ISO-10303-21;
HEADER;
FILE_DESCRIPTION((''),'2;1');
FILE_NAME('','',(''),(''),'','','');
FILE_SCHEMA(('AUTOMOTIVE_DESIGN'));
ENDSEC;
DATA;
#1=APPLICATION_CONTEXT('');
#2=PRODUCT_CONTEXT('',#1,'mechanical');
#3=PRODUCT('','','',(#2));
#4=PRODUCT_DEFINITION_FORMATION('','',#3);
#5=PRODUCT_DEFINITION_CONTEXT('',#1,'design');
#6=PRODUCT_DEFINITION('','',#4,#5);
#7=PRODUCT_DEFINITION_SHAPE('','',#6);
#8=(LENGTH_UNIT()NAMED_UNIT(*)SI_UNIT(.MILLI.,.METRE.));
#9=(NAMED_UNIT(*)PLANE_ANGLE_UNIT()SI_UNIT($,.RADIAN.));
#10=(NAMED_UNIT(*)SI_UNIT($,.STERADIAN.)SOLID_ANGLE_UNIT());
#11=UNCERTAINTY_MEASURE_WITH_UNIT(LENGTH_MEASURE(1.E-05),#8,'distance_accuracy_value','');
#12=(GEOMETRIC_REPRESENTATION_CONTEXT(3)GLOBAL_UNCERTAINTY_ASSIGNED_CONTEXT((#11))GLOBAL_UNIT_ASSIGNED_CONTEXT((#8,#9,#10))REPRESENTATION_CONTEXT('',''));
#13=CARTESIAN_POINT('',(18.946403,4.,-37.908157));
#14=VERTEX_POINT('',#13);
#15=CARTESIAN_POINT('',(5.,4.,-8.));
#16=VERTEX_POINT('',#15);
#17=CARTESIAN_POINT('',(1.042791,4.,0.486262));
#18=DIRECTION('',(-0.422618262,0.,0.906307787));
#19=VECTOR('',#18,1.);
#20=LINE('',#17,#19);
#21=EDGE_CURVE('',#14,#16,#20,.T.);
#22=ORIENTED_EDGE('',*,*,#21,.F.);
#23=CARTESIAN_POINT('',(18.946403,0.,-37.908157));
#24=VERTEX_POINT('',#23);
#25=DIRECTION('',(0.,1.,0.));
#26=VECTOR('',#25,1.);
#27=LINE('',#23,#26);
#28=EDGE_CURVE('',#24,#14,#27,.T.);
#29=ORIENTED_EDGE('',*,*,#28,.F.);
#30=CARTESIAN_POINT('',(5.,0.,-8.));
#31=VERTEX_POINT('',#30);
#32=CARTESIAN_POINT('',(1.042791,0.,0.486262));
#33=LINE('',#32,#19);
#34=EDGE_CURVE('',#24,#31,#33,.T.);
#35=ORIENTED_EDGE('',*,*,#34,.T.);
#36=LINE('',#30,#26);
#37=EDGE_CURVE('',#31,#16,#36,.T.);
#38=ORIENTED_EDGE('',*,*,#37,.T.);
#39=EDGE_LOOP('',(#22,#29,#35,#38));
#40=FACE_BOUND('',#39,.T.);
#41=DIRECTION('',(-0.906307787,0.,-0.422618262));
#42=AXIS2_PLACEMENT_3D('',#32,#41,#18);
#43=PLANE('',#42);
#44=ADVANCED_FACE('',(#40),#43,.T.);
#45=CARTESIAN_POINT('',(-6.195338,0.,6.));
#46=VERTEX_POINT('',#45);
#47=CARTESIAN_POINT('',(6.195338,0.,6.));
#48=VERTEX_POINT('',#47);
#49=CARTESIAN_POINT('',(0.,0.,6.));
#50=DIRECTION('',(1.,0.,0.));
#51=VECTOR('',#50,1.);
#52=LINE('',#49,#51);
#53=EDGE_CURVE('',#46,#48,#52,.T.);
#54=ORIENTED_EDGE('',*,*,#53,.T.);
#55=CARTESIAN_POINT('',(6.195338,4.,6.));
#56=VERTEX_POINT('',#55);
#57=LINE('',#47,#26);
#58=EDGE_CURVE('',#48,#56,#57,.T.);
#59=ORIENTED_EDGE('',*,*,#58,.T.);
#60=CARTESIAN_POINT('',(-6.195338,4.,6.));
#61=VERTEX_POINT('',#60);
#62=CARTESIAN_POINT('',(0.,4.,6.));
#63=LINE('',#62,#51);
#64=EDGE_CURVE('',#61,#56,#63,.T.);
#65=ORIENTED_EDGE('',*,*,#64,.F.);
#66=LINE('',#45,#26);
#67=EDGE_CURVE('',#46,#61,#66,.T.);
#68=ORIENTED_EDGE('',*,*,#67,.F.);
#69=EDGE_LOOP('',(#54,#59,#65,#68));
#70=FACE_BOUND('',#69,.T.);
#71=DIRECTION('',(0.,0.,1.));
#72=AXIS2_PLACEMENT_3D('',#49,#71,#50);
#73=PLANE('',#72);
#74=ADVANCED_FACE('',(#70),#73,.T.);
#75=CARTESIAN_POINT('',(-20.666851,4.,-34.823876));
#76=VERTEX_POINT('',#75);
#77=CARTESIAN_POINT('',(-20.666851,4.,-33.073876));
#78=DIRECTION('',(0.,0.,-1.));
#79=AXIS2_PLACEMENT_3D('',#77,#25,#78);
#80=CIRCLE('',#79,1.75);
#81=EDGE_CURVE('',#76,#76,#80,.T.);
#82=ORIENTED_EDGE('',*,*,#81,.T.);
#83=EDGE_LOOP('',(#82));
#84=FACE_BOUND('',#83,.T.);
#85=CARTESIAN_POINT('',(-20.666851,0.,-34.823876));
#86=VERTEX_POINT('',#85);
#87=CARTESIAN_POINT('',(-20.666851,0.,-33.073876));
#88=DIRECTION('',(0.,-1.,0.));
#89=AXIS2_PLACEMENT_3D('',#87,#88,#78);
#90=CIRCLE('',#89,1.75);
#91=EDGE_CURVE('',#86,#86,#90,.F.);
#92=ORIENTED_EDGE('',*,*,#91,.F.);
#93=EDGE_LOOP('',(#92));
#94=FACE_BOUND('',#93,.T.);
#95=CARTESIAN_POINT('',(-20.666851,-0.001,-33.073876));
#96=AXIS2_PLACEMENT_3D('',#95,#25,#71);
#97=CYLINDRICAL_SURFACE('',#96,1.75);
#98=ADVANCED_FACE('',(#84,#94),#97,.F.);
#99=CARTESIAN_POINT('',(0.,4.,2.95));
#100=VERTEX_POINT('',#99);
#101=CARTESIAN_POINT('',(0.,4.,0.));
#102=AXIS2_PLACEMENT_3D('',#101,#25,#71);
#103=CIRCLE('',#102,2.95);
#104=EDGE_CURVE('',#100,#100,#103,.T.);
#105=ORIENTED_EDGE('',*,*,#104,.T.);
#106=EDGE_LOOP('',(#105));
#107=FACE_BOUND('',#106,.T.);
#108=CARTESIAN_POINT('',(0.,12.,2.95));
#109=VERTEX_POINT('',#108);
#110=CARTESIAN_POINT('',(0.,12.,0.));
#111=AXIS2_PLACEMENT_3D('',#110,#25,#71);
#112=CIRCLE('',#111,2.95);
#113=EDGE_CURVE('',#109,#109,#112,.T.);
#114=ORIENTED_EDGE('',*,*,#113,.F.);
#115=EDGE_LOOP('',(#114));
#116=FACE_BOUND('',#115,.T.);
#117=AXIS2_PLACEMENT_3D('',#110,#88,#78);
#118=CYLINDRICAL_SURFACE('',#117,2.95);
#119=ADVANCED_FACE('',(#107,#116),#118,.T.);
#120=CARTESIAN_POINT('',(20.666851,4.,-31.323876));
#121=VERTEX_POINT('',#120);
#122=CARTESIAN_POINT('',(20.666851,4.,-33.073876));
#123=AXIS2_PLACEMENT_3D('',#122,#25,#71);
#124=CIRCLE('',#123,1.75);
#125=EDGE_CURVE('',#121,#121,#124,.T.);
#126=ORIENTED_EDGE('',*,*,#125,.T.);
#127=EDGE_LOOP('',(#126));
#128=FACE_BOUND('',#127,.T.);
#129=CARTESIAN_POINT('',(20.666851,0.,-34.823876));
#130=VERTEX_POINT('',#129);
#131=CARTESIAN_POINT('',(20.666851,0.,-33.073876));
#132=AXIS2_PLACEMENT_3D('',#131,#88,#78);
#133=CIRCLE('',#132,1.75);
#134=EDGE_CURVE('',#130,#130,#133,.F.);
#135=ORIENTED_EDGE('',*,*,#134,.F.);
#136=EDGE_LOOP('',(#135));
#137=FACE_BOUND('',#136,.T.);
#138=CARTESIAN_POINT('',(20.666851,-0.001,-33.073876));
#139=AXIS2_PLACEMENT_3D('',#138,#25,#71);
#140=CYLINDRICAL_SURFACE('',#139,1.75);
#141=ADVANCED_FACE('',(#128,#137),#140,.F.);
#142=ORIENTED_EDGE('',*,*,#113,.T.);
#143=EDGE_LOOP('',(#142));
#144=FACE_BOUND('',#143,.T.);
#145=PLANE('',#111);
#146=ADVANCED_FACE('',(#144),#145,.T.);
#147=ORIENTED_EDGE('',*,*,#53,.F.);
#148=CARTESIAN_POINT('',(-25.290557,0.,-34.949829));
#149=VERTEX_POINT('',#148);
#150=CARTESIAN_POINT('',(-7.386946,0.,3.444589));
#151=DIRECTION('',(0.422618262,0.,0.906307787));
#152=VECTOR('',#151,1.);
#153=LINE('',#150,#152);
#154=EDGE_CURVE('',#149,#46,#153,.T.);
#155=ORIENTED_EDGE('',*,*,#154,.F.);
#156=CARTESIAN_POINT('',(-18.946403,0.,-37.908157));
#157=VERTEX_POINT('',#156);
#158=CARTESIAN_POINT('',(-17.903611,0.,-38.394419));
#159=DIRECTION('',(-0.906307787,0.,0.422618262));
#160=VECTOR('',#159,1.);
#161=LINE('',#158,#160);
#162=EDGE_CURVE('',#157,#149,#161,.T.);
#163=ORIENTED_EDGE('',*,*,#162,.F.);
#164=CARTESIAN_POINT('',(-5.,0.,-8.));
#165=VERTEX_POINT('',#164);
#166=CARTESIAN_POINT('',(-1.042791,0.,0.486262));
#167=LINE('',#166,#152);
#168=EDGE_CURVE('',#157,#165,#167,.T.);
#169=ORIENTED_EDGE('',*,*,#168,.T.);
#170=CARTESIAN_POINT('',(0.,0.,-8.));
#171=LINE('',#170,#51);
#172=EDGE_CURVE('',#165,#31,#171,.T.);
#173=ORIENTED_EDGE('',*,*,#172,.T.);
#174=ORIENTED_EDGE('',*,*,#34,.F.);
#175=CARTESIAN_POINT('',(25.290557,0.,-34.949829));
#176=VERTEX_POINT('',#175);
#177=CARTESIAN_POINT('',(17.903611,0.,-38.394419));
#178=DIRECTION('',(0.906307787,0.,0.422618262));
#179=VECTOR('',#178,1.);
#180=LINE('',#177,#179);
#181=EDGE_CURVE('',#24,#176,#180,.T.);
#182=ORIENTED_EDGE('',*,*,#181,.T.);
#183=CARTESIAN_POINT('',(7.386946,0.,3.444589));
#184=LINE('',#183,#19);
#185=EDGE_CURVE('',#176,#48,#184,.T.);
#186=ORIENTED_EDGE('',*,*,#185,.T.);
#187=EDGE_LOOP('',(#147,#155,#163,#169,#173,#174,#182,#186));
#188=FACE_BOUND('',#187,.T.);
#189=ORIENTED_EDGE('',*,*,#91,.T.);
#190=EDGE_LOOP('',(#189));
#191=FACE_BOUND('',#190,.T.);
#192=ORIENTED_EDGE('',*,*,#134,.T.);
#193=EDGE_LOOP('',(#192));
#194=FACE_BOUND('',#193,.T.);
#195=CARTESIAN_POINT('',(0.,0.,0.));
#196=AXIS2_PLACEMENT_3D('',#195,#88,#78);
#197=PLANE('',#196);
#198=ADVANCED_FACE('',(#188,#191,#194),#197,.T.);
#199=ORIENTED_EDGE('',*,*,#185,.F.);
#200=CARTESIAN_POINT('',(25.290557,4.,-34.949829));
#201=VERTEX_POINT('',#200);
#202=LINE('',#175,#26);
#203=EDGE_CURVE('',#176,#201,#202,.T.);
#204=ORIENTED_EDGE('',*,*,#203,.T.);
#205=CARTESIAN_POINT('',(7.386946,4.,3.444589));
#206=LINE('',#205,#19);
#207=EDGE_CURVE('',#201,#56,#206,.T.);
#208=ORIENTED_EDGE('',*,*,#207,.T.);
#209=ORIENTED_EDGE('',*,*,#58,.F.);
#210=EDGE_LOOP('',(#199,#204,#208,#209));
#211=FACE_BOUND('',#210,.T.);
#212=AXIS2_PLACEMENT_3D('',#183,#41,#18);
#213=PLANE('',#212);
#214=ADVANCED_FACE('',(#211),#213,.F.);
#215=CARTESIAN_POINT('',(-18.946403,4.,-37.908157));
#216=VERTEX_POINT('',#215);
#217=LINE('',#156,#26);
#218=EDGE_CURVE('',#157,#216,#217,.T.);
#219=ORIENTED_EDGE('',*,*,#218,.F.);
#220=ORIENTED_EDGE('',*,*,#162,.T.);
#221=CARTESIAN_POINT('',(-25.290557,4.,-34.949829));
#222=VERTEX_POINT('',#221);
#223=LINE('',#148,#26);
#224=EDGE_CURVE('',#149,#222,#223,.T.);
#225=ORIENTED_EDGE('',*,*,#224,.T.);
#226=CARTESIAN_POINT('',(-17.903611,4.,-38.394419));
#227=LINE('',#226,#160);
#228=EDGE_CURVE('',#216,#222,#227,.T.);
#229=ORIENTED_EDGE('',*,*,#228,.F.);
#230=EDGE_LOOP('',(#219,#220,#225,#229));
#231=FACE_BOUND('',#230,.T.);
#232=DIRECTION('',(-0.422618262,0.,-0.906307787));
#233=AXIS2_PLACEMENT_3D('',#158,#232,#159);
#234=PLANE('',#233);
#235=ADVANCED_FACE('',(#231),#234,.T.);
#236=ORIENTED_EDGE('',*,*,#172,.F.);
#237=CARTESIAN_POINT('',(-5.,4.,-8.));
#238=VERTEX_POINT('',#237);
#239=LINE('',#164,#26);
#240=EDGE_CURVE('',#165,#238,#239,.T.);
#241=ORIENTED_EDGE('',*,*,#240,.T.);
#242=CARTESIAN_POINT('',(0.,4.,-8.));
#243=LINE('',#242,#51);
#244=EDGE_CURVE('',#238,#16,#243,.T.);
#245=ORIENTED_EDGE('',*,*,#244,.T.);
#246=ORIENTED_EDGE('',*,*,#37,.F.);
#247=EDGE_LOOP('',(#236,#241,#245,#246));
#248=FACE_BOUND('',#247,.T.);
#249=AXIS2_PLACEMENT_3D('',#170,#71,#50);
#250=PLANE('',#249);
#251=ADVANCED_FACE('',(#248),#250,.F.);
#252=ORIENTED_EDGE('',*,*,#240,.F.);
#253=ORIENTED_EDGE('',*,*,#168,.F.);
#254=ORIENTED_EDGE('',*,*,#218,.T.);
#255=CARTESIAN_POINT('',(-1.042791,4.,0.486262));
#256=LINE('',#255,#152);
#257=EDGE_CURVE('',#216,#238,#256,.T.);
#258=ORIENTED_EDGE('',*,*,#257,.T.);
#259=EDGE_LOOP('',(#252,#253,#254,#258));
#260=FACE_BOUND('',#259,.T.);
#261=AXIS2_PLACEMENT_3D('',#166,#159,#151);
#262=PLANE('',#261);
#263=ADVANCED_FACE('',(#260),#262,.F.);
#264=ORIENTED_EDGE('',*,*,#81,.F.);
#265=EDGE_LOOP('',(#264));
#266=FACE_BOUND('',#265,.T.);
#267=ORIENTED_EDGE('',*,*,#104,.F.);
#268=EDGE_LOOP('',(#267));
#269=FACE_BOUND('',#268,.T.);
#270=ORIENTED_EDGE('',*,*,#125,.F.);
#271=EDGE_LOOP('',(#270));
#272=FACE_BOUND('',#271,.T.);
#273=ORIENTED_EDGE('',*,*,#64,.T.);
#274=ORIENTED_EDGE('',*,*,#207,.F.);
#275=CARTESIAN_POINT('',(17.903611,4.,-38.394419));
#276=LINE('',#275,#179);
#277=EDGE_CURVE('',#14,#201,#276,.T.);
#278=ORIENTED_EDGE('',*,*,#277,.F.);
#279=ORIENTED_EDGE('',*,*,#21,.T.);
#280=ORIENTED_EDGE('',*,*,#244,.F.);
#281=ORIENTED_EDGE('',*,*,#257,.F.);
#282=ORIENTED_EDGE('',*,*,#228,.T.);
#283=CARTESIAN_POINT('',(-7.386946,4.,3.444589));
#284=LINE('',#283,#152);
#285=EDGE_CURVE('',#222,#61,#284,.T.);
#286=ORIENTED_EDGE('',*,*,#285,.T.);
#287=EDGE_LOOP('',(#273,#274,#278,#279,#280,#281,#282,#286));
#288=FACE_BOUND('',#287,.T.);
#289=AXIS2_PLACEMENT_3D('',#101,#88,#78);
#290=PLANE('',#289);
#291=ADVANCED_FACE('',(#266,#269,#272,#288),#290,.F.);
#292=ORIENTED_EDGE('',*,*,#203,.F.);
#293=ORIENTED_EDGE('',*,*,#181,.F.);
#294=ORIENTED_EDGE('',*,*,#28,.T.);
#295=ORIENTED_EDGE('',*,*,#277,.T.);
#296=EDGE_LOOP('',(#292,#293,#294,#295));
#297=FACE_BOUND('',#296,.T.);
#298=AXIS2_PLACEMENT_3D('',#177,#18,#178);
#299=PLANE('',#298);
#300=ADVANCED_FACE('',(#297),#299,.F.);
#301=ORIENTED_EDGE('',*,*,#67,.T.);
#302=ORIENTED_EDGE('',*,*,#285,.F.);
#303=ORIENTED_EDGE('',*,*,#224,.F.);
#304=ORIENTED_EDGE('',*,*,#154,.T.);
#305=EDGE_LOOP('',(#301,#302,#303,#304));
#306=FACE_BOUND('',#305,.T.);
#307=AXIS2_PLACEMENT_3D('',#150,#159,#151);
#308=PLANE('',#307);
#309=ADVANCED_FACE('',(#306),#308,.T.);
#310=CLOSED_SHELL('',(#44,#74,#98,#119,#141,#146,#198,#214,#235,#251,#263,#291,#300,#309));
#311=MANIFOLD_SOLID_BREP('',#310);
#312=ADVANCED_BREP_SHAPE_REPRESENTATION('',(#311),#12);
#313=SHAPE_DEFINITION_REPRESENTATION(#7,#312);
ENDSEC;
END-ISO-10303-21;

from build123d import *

# Parameters (mm, degrees)
SKETCH1_W           = 80
SKETCH1_H           = 80
BOSS_EXTRUDE1_DEPTH = 4
CUT_EXTRUDE2_REACH  = 58.71
SKETCH3_R           = 1.75
SKETCH4_W           = 80
SKETCH4_H           = 80
CUT_EXTRUDE3_DEPTH  = 4
SKETCH2_R           = 2.95
BOSS_EXTRUDE2_DEPTH = 8


with BuildPart() as part:
    # Sketch1 → Boss-Extrude1 (new body)
    with BuildSketch(Plane(origin=(0, 0, 0), x_dir=(1, 0, 0), z_dir=(0, 1, 0))):
        Rectangle(SKETCH1_W, SKETCH1_H)
    extrude(amount=BOSS_EXTRUDE1_DEPTH)

    # Sketch3 → Cut-Extrude2 (cut, up to next)
    with BuildSketch(Plane(origin=(0, 4, 0), x_dir=(1, 0, 0), z_dir=(0, 1, 0)), mode=Mode.PRIVATE) as cut_extrude2_sk1:
        with Locations(Location((20.666851305, 33.07387575, 0), (0, 0, 270))):
            Circle(SKETCH3_R)
    cut_extrude2_tool1 = extrude(cut_extrude2_sk1.sketch, amount=-CUT_EXTRUDE2_REACH, mode=Mode.PRIVATE) & part.part
    # Sketch3 → Cut-Extrude2 (cut, up to next)
    with BuildSketch(Plane(origin=(0, 4, 0), x_dir=(1, 0, 0), z_dir=(0, 1, 0)), mode=Mode.PRIVATE) as cut_extrude2_sk2:
        with Locations(Location((-20.666851305, 33.07387575, 0), (0, 0, 90))):
            Circle(SKETCH3_R)
    cut_extrude2_tool2 = extrude(cut_extrude2_sk2.sketch, amount=-CUT_EXTRUDE2_REACH, mode=Mode.PRIVATE) & part.part
    add(cut_extrude2_tool1.solids().sort_by_distance((20.666851, 4, -33.073876))[0], mode=Mode.SUBTRACT)
    add(cut_extrude2_tool2.solids().sort_by_distance((-20.666851, 4, -33.073876))[0], mode=Mode.SUBTRACT)

    # Sketch4 → Cut-Extrude3 (cut)
    with BuildSketch(Plane(origin=(0, 4, 0), x_dir=(1, 0, 0), z_dir=(0, 1, 0))):
        Rectangle(SKETCH4_W, SKETCH4_H)
        Polygon((5, 8), (18.946402637, 37.908156972), (25.290557147, 34.94982914), (6.195338219, -6), (0, -6), (-6.195338219, -6), (-25.290557147, 34.94982914), (-18.946402637, 37.908156972), (-5, 8), (0, 8), align=None, mode=Mode.SUBTRACT)
    extrude(amount=-CUT_EXTRUDE3_DEPTH, mode=Mode.SUBTRACT)

    # Sketch2 → Boss-Extrude2 (add)
    with BuildSketch(Plane(origin=(0, 4, 0), x_dir=(1, 0, 0), z_dir=(0, 1, 0))):
        with Locations(Location((0, 0, 0), (0, 0, 270))):
            Circle(SKETCH2_R)
    extrude(amount=BOSS_EXTRUDE2_DEPTH)


solid = part.part
